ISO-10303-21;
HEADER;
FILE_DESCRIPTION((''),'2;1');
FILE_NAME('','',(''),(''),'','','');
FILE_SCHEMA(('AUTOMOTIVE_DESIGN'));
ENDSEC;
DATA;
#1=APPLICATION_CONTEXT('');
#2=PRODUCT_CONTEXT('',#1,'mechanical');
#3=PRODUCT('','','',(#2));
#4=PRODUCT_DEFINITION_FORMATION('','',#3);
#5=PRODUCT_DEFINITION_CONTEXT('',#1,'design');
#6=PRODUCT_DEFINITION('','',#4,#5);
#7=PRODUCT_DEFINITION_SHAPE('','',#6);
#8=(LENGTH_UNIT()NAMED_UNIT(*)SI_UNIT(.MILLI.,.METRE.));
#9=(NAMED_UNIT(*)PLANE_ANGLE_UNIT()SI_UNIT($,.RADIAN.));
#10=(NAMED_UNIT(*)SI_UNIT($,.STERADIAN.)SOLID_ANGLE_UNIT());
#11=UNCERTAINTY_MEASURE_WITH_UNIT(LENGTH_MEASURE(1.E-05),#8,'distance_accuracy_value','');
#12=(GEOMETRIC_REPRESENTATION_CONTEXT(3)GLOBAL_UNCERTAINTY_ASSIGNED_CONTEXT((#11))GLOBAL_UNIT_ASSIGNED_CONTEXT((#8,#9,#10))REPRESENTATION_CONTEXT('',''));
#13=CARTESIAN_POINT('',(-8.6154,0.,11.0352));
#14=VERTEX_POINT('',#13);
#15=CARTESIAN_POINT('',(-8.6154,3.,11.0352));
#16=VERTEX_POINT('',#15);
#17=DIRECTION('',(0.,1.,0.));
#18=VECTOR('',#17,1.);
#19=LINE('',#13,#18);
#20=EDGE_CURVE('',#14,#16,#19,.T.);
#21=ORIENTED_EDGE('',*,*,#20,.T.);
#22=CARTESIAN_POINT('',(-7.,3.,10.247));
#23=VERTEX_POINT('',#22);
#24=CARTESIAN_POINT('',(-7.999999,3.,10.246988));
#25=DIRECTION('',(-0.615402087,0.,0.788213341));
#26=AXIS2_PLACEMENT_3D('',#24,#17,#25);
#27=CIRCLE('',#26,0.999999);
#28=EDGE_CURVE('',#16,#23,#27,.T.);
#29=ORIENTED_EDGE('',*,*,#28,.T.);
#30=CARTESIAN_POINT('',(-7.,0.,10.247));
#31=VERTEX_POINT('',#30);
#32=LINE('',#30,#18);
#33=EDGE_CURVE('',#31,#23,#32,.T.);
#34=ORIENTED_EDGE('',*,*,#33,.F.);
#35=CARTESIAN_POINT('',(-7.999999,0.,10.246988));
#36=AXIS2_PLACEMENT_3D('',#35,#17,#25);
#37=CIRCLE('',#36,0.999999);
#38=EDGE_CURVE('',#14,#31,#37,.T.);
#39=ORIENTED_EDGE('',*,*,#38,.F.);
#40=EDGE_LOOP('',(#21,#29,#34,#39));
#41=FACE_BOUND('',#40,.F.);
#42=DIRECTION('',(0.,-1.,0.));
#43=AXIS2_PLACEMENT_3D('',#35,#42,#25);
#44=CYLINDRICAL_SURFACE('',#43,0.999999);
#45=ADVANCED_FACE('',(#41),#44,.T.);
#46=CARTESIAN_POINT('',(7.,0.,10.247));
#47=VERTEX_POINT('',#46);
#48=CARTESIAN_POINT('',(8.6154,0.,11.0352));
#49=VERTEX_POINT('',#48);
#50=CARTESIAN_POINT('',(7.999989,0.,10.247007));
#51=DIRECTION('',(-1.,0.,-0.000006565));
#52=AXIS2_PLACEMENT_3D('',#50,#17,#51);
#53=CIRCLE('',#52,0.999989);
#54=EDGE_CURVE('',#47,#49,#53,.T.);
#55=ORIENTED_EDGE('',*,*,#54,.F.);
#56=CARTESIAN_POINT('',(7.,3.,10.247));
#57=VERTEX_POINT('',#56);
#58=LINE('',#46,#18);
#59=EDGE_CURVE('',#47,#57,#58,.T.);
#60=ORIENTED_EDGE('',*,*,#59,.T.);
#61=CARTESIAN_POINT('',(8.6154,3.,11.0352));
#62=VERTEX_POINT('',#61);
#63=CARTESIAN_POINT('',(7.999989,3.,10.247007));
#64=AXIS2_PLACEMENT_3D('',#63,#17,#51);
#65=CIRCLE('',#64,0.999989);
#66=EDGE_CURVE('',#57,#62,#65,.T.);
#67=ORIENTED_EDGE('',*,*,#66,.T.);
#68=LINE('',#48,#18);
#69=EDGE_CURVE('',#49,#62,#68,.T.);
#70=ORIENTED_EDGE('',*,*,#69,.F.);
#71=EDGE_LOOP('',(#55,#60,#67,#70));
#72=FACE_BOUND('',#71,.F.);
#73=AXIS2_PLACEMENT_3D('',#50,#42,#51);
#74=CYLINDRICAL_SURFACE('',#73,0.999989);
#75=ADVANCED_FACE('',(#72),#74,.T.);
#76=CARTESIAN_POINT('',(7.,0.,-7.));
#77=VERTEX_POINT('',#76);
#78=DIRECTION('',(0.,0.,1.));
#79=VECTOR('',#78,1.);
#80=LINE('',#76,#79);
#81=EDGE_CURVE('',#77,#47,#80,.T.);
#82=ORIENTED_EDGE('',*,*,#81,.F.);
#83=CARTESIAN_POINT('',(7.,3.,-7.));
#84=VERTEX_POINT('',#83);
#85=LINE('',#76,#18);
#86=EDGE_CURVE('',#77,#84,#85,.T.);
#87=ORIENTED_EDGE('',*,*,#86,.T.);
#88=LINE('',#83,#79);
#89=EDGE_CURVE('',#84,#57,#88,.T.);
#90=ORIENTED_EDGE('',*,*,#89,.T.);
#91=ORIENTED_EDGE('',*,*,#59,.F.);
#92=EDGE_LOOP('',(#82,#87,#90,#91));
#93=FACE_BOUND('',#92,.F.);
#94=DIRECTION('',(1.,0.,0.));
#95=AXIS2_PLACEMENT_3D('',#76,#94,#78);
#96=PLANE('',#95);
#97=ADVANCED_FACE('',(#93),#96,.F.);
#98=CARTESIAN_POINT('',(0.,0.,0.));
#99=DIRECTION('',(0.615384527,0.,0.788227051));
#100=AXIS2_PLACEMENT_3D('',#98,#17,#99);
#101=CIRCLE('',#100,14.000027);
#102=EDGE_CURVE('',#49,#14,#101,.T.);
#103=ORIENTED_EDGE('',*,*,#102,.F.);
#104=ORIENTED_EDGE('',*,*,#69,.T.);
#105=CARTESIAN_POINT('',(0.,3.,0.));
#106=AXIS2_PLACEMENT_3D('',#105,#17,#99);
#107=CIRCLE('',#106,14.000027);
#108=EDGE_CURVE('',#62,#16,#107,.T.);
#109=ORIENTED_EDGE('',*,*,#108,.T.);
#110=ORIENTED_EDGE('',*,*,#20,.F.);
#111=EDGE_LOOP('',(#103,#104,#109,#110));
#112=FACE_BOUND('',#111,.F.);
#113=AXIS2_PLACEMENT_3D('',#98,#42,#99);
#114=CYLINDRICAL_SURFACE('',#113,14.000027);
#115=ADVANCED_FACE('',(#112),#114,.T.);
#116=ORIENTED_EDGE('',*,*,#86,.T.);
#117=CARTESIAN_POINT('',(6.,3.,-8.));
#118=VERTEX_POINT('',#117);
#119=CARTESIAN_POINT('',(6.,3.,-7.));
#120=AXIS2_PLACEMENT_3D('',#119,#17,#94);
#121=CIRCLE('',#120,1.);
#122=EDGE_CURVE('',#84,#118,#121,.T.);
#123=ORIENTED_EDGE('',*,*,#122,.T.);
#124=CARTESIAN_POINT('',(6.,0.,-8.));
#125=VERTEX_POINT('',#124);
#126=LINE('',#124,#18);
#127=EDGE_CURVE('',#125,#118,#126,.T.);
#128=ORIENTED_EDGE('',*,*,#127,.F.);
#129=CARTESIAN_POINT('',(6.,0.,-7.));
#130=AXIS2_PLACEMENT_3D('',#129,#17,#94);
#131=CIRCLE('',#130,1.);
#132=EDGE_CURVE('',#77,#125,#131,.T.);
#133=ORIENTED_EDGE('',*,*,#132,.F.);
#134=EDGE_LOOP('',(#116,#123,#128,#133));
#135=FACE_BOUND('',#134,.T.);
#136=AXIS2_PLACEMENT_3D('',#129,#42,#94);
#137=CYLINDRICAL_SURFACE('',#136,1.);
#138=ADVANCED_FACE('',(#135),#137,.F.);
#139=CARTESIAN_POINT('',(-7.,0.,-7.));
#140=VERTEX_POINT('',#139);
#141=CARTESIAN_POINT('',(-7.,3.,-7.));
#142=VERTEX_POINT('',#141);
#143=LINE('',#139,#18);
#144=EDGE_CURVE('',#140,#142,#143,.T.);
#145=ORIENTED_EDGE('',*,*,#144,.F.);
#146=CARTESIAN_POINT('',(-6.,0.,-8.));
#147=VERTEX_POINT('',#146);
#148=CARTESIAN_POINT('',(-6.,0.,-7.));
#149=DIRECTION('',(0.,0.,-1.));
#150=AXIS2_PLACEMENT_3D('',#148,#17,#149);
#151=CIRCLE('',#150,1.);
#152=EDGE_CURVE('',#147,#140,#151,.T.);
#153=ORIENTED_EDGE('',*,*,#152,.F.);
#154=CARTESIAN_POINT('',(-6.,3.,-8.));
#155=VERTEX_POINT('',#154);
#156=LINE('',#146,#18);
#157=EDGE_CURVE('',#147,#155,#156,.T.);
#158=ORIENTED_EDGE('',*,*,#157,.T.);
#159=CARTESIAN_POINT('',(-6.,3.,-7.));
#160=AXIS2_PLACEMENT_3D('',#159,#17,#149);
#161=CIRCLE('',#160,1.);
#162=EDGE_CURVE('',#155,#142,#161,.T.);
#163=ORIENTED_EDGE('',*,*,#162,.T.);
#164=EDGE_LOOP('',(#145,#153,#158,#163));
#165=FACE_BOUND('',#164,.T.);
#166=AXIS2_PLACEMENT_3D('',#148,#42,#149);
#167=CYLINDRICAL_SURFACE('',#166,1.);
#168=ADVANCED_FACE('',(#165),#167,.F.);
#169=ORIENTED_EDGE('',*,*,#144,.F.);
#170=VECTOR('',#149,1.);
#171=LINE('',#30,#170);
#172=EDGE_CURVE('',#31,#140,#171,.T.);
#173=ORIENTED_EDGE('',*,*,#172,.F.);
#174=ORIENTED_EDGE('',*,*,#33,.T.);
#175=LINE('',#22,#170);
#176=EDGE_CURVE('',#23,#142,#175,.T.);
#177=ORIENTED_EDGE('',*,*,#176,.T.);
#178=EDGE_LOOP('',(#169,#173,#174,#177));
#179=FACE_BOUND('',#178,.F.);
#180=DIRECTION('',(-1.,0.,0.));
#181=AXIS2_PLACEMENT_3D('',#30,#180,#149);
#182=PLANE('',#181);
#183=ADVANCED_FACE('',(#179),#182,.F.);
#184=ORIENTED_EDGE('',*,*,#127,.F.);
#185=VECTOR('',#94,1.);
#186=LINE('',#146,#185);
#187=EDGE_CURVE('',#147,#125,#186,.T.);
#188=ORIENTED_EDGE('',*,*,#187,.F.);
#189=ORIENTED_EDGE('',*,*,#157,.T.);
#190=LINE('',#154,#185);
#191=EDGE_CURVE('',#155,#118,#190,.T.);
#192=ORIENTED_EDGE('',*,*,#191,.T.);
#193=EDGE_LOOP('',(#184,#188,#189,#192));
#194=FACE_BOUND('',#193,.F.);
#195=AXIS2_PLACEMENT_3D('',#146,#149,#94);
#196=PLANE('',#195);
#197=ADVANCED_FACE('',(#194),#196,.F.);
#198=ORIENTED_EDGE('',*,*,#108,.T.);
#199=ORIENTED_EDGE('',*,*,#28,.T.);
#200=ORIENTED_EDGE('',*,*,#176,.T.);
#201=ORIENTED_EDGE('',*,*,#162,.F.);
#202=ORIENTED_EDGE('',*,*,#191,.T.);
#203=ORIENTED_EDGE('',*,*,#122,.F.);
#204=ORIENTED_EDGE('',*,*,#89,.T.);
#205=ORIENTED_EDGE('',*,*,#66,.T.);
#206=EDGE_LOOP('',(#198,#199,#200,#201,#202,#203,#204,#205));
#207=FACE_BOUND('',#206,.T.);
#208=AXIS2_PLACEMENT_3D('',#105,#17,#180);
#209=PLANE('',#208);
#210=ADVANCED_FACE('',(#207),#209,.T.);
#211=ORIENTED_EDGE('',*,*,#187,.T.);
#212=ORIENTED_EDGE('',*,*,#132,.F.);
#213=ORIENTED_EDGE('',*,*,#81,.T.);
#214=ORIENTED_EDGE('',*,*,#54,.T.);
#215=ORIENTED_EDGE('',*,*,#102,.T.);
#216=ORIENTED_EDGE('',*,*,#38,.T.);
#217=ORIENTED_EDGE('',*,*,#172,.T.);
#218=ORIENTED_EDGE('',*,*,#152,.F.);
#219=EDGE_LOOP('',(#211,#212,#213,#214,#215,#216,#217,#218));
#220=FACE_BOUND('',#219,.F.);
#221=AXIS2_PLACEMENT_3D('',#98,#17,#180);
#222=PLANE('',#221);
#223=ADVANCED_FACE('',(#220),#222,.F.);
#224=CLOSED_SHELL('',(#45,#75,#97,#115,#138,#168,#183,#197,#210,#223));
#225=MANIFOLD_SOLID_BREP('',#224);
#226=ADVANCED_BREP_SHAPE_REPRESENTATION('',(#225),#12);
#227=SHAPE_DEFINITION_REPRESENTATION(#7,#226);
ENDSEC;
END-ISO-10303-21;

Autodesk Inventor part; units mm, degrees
ref_plane "YZ Plane" through (0, 0, 0) normal (1, 0, 0) x (0, 1, 0)
ref_plane "XZ Plane" through (0, 0, 0) normal (0, 1, 0) x (-1, 0, 0)
ref_plane "XY Plane" through (0, 0, 0) normal (0, 0, 1) x (1, 0, 0)
sketch "Sketch1" plane through (0, 0, 0) normal (0, 1, 0) x (-1, 0, 0)
  arc A0 (-8.6154, 11.0352) -> (8.6154, 11.0352) centre (0, 0) ccw
  line L0 (7, 10.247) -> (7, -7)
  line L1 (6, -8) -> (-6, -8)
  line L2 (-7, -7) -> (-7, 10.247)
  arc A1 (-7, 10.247) -> (-8.6154, 11.0352) centre (-8, 10.247) ccw
  arc A2 (8.6154, 11.0352) -> (7, 10.247) centre (8, 10.247) ccw
  arc A3 (6, -8) -> (7, -7) centre (6, -7) ccw
  arc A4 (-7, -7) -> (-6, -8) centre (-6, -7) ccw
  point P0 (-7, 12.1244)
  point P1 (7, 12.1244)
  dimension "d0" = 28
  dimension "d2" = 14
  dimension "d4" = 1
  dimension "d5" = 8
extrude "Extrusion1" add sketch "Sketch1" along normal blind 3
properties part number "PolyfuseAdapter2"
